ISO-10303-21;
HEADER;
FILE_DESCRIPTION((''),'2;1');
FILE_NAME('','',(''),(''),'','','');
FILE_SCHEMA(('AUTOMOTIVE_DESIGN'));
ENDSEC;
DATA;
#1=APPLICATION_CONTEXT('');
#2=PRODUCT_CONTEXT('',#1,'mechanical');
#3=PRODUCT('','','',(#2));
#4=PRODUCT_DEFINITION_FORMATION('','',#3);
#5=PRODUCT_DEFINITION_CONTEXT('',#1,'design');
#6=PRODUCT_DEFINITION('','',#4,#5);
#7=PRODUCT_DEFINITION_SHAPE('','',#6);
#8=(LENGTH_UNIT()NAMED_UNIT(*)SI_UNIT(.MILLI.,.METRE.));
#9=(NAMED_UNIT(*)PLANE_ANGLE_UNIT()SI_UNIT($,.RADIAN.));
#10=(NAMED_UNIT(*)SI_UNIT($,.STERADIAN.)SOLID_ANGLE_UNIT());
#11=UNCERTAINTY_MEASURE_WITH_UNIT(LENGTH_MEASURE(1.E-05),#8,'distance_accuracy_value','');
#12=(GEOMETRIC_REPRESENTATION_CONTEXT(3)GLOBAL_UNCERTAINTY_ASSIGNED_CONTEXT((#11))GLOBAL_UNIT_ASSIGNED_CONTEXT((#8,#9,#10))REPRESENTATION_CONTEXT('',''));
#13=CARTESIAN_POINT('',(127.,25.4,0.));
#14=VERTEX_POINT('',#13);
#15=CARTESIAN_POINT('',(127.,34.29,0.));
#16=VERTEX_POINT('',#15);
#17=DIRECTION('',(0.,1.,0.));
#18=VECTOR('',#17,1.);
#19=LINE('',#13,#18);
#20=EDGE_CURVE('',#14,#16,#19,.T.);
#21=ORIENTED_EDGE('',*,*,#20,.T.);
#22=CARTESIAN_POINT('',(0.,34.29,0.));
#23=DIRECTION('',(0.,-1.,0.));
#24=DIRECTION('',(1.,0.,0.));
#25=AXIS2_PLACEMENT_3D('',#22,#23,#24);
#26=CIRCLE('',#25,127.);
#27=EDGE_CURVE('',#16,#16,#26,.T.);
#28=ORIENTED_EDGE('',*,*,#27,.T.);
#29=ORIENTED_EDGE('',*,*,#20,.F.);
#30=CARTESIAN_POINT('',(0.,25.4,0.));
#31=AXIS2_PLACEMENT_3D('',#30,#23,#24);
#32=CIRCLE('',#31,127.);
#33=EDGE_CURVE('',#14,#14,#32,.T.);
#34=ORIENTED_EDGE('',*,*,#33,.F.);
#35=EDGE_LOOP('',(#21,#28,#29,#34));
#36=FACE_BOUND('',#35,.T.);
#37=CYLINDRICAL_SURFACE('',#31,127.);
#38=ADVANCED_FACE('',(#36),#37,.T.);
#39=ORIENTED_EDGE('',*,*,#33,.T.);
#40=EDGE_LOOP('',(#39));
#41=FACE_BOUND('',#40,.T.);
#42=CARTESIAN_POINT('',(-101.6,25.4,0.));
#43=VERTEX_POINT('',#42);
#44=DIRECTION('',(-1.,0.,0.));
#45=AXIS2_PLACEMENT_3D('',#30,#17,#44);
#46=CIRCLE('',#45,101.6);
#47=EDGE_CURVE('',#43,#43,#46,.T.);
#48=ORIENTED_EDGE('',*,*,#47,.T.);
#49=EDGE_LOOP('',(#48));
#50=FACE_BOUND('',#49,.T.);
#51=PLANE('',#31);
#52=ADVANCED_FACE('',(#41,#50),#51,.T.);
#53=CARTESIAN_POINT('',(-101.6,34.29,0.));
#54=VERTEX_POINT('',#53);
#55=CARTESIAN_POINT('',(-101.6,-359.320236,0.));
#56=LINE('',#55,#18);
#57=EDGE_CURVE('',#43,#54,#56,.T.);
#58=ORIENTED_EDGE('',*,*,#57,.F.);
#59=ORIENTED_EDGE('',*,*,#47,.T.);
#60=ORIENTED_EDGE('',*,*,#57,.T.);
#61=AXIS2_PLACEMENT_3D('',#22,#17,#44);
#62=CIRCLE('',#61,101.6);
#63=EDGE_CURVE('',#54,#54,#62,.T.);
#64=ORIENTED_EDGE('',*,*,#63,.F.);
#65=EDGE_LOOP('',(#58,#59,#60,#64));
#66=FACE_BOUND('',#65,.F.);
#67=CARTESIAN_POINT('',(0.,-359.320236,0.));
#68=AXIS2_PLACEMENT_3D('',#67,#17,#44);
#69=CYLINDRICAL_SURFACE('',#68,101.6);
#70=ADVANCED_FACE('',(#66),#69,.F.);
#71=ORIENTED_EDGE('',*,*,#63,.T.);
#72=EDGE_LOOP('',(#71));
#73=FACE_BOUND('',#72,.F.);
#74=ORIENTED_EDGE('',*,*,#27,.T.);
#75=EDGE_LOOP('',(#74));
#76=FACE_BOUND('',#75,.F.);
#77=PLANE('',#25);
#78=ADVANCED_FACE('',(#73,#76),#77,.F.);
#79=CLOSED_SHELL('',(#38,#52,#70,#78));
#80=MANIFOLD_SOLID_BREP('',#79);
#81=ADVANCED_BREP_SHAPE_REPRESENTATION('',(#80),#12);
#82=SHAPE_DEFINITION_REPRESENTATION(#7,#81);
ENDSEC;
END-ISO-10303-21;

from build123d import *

# Parameters (mm, degrees)
F1_START = -25.4
F0_R     = 127
F1_DEPTH = 8.89
F2_D     = 203.2


with BuildPart() as f1:
    # F0 (on Front) → F1 (new body)
    with BuildSketch(Plane.XZ.offset(F1_START)):
        Circle(F0_R)
    extrude(amount=-F1_DEPTH)

    # F2 (through all)
    with Locations(Plane.XZ):
        with Locations((0, 0)):
            Hole(F2_D / 2)


solid = f1.part
